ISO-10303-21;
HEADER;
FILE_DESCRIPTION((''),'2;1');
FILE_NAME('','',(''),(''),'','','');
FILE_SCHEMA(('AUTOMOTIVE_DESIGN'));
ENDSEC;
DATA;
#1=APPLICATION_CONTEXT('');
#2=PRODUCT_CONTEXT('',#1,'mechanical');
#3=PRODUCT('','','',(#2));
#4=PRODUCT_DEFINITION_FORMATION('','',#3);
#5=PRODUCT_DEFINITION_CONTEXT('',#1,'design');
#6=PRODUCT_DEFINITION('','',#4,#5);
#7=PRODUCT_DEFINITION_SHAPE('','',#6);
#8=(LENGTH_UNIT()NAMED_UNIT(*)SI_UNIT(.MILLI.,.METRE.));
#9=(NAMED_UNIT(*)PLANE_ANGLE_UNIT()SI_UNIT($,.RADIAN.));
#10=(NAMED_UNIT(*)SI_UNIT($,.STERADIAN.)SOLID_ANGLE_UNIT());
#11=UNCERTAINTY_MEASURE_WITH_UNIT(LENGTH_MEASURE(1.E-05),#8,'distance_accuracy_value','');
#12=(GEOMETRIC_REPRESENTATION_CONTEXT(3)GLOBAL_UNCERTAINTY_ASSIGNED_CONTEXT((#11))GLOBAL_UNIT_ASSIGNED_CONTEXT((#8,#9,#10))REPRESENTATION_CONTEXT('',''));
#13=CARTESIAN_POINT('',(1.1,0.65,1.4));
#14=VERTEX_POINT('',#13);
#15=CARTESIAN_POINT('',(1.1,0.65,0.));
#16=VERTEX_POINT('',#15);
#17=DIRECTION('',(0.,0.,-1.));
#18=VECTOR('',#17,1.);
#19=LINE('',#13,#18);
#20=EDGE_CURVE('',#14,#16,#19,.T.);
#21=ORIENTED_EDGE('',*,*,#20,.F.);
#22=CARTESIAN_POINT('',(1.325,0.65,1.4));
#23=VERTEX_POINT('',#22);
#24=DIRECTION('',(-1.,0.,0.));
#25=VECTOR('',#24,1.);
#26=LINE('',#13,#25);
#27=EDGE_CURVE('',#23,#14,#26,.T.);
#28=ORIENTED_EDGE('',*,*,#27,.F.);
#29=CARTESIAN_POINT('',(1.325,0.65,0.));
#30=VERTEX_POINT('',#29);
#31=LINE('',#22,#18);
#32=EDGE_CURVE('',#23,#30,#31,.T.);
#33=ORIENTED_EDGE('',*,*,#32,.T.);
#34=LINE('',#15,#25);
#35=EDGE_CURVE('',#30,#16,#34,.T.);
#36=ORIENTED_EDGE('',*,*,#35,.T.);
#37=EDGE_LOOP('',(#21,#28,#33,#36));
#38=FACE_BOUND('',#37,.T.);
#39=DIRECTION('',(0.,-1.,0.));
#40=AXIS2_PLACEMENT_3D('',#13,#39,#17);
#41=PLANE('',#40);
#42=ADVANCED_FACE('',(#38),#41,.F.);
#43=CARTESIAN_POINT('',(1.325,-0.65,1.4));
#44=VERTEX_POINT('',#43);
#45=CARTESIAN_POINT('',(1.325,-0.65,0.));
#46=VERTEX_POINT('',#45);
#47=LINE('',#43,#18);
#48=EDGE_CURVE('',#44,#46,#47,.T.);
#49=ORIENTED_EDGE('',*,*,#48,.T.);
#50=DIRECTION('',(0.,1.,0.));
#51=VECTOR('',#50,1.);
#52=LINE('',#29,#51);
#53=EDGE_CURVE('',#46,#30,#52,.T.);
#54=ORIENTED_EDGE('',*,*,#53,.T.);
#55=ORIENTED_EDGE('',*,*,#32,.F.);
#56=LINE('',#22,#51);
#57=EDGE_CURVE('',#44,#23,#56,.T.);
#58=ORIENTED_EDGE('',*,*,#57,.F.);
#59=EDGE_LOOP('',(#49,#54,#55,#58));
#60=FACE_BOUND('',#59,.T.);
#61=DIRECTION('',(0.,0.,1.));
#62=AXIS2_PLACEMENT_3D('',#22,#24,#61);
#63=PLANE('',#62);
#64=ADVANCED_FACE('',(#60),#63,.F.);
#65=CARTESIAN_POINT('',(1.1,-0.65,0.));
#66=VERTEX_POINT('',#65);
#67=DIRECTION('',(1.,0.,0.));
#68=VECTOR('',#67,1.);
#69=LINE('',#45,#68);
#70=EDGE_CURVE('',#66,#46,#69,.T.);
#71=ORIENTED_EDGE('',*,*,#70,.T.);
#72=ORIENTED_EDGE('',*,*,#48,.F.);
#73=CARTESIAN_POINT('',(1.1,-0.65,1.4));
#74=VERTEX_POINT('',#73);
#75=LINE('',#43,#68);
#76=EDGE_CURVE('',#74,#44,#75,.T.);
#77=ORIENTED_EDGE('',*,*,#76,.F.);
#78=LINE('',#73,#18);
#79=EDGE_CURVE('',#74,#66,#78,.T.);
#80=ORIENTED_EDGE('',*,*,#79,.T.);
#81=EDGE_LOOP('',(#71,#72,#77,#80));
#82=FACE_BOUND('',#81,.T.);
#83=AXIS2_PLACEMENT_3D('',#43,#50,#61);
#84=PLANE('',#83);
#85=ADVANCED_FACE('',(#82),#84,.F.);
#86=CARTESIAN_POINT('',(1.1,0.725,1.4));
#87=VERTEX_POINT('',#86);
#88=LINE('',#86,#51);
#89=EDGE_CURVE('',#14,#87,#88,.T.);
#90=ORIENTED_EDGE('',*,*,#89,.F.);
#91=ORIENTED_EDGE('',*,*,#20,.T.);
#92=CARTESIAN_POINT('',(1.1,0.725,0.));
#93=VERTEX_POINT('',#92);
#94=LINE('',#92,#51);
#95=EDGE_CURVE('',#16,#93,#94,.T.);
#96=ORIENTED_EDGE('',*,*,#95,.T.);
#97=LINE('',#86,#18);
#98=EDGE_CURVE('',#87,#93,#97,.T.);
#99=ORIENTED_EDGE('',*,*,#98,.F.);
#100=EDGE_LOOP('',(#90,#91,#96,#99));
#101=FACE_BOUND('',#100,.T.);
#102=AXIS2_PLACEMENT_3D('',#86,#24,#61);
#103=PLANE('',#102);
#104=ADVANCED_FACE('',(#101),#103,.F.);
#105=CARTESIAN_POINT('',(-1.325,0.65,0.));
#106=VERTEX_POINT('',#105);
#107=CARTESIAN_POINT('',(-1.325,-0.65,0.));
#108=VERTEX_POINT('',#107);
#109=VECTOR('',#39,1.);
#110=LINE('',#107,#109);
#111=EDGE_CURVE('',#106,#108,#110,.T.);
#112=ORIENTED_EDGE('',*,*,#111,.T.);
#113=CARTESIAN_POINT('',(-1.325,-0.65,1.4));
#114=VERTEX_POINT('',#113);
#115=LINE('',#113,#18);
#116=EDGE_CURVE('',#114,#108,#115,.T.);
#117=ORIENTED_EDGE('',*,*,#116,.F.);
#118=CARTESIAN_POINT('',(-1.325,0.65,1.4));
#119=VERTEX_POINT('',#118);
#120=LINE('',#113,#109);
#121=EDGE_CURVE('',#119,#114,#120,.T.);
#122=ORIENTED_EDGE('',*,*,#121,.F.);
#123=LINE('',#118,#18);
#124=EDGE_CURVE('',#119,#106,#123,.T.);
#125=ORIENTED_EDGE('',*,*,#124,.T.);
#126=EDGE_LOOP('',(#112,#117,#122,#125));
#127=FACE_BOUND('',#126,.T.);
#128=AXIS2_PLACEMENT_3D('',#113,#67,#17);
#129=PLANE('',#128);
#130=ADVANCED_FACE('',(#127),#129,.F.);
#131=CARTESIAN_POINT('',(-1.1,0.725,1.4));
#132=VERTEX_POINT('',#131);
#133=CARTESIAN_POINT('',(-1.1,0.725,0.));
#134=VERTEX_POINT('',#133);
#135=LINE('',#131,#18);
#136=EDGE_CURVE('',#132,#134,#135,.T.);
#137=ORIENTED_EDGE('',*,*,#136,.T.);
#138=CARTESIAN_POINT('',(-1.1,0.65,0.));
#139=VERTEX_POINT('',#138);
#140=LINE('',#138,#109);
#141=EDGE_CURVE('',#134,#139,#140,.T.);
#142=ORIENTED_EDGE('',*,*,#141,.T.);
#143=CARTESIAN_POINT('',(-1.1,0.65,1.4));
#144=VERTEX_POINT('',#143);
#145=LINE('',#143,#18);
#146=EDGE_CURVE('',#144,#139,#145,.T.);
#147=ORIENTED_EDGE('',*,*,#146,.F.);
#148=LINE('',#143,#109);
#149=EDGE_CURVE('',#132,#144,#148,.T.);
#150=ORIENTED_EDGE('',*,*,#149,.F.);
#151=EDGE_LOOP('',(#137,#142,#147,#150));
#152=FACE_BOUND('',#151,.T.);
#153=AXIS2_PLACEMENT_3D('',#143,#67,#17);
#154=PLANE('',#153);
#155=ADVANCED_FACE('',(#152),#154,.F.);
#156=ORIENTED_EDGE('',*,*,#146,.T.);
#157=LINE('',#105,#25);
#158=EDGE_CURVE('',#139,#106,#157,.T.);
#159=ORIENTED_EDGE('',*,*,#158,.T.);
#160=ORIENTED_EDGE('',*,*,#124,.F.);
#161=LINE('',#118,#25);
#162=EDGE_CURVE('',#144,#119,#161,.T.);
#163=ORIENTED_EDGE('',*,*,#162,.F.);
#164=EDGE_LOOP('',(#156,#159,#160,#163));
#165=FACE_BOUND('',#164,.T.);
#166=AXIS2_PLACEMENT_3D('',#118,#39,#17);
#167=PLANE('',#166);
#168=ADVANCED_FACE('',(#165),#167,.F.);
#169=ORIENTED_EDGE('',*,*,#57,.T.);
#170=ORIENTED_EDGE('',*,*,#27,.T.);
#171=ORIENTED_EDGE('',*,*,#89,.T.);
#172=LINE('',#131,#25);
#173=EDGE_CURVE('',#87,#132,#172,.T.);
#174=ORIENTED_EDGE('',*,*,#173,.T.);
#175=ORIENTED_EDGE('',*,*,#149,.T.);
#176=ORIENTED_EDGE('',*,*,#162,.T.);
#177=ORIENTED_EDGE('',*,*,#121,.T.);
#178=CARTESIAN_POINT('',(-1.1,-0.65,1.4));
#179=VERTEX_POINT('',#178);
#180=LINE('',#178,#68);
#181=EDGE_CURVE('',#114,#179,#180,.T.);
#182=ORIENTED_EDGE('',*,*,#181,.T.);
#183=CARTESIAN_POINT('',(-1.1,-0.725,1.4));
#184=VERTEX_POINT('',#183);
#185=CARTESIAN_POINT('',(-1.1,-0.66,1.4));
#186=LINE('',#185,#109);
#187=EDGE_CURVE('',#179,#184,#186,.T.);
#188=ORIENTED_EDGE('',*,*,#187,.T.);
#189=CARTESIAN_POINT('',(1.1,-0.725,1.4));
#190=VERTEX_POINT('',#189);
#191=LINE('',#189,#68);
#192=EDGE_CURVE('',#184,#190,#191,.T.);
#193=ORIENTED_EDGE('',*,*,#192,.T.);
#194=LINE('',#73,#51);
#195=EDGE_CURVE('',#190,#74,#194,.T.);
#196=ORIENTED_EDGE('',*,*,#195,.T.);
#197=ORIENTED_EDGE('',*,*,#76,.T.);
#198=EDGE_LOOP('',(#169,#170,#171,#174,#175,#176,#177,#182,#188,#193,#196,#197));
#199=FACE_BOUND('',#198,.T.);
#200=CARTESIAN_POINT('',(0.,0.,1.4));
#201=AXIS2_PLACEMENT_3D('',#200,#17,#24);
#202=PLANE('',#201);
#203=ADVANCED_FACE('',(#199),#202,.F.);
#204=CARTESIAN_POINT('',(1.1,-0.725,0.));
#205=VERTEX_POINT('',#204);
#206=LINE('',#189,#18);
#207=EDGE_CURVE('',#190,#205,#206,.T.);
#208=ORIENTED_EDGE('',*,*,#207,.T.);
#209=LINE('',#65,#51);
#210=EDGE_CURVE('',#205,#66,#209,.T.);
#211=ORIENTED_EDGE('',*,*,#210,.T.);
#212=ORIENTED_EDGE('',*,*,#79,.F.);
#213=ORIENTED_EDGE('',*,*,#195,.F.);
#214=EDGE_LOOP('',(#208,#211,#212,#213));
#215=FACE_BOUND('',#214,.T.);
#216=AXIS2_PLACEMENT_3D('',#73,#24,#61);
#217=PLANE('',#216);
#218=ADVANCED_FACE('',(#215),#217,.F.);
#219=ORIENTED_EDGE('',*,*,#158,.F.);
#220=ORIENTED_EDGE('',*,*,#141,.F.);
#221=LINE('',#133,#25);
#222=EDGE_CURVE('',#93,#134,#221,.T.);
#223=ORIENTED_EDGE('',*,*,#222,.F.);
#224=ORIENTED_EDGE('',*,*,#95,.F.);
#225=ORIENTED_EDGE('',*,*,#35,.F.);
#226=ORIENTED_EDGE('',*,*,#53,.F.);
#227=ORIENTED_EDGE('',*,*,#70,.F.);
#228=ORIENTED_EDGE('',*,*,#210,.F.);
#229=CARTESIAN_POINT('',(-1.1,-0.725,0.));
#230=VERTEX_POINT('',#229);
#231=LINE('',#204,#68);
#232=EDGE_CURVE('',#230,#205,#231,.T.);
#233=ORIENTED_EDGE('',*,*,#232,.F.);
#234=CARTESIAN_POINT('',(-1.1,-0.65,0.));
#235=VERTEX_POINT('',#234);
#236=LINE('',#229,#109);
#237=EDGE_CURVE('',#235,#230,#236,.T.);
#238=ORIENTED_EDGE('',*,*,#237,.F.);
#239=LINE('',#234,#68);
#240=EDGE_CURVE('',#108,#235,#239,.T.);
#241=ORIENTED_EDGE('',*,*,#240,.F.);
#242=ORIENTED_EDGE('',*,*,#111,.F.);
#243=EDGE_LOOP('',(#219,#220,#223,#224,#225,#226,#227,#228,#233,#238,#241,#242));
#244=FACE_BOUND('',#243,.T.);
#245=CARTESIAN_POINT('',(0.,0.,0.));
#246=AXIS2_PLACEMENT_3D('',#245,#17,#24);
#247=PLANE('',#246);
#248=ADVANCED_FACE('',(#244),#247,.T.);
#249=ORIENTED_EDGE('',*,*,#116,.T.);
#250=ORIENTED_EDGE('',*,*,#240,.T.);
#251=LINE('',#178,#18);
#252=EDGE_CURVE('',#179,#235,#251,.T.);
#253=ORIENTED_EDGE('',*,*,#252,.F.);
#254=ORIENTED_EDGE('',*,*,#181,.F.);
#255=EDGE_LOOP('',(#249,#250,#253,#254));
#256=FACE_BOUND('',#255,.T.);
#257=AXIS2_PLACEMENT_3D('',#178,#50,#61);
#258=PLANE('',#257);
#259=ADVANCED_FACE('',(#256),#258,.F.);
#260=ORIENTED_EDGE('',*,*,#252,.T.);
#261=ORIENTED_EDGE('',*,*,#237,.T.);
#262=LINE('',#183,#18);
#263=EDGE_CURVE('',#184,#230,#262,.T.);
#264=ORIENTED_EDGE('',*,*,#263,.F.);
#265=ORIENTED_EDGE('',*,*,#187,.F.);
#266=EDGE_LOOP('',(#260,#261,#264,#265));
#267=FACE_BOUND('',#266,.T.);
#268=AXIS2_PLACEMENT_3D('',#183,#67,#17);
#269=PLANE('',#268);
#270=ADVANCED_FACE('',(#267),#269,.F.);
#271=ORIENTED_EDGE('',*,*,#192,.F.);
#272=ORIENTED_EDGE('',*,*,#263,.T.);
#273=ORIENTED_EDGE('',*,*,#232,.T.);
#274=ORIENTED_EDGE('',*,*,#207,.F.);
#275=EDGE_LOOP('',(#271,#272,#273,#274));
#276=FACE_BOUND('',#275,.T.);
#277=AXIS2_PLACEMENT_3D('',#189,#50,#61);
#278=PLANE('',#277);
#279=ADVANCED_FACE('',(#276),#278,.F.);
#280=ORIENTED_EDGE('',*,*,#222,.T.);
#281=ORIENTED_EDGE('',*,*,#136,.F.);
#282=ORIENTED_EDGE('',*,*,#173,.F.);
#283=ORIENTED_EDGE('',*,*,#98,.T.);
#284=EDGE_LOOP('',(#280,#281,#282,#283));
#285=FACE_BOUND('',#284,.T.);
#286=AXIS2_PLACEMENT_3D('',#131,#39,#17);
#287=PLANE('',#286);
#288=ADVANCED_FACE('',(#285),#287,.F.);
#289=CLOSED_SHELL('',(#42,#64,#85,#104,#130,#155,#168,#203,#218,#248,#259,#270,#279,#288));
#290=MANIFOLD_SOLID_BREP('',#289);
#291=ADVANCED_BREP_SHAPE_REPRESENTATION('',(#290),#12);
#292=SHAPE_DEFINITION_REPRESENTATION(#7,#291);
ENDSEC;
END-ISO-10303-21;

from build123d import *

# Parameters (mm, degrees)
COMPONENT_OUTLINE_DEPTH = 1.4


with BuildPart() as part:
    # 草图1 → Component_Outline (new body)
    with BuildSketch(Plane.XY):
        Polygon((-1.1, -0.725), (-1.1, -0.66), (-1.1, -0.65), (-1.325, -0.65), (-1.325, 0.65), (-1.1, 0.65), (-1.1, 0.725), (1.1, 0.725), (1.1, 0.65), (1.325, 0.65), (1.325, -0.65), (1.1, -0.65), (1.1, -0.725), align=None)
    extrude(amount=COMPONENT_OUTLINE_DEPTH)


solid = part.part
